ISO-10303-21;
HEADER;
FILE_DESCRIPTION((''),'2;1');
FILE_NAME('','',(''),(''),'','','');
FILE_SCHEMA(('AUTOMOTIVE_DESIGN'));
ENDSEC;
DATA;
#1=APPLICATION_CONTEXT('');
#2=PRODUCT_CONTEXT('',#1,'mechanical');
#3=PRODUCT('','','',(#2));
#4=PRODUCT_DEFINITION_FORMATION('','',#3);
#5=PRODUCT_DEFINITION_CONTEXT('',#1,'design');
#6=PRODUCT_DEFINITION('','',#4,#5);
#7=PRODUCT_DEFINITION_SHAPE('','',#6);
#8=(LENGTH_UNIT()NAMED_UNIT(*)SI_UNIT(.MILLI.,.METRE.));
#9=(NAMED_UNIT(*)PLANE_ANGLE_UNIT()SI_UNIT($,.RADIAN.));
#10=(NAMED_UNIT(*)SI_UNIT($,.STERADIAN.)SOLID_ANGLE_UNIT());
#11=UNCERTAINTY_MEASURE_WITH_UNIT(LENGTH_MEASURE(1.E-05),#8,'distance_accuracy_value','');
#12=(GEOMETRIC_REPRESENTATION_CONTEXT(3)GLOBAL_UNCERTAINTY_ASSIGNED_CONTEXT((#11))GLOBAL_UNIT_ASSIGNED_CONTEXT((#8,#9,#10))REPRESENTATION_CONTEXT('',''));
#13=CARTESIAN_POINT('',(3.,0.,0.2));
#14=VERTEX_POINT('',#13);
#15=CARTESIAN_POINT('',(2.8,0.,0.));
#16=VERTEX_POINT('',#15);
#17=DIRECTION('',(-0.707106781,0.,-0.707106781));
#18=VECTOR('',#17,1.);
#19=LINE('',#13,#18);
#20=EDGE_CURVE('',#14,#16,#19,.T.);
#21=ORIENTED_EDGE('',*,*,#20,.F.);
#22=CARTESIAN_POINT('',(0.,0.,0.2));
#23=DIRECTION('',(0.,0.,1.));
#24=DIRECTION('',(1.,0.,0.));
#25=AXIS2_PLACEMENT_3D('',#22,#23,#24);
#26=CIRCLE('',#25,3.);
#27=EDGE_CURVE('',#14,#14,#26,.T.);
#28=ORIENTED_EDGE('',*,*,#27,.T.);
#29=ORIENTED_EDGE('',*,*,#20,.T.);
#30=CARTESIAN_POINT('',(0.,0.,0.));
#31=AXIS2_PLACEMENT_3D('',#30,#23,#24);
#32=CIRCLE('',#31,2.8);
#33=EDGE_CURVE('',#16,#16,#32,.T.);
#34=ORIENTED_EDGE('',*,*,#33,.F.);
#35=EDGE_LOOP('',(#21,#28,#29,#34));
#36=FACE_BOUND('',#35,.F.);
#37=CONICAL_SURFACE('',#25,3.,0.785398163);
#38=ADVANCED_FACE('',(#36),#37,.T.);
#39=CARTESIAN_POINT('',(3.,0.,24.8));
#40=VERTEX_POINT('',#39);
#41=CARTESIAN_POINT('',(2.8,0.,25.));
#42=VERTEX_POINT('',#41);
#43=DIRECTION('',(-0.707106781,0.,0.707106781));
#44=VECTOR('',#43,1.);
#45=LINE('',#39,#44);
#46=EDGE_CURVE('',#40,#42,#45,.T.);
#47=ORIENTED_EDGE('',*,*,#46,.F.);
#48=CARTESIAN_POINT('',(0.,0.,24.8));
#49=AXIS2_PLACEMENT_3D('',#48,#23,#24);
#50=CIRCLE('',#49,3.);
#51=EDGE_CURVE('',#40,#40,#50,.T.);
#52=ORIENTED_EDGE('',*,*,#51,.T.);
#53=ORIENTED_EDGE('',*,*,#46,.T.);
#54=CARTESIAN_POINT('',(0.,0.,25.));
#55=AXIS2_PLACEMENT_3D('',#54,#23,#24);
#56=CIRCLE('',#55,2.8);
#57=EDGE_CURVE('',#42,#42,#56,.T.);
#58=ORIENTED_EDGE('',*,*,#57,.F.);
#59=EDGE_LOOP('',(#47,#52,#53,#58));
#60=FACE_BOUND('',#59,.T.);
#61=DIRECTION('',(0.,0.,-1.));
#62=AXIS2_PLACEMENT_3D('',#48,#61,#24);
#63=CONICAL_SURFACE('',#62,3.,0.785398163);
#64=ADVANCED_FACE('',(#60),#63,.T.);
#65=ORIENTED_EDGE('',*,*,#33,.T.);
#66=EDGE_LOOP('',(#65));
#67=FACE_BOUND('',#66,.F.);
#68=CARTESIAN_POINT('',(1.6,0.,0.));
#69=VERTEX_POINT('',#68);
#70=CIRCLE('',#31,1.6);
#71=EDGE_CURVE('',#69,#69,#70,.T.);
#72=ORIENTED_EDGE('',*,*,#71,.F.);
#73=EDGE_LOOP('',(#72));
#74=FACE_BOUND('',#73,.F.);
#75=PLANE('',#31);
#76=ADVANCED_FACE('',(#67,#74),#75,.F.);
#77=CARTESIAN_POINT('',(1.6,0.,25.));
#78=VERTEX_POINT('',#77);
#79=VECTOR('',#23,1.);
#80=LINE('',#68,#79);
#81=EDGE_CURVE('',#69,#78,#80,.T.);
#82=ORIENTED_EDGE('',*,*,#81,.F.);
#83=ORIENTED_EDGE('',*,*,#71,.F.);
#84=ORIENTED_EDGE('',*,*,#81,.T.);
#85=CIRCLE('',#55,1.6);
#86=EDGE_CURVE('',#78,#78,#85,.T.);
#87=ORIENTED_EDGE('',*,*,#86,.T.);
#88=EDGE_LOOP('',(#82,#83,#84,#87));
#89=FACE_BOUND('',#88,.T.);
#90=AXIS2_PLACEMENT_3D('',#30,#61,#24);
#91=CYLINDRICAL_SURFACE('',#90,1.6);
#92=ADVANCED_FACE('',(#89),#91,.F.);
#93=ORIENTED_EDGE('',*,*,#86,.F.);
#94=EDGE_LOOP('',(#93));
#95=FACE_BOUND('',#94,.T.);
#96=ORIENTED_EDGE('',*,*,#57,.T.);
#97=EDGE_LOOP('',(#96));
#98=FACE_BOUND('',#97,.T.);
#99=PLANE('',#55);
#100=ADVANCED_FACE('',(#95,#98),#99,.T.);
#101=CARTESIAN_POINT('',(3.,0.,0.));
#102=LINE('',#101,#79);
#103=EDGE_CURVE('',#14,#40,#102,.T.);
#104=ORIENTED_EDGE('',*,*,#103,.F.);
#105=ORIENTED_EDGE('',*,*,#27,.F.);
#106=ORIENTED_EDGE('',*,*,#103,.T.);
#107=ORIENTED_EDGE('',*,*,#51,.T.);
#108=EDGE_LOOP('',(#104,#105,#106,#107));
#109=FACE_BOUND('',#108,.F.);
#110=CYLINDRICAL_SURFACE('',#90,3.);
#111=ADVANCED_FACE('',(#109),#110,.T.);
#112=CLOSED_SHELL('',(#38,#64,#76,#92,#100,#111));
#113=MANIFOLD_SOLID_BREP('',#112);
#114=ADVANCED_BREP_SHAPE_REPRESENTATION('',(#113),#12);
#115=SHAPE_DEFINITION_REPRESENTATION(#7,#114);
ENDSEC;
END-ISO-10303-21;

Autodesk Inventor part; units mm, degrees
ref_plane "YZ Plane" through (0, 0, 0) normal (1, 0, 0) x (0, 1, 0)
ref_plane "XZ Plane" through (0, 0, 0) normal (0, 1, 0) x (-1, 0, 0)
ref_plane "XY Plane" through (0, 0, 0) normal (0, 0, 1) x (1, 0, 0)
sketch "スケッチ1" plane through (0, 0, 0) normal (0, 0, 1) x (1, 0, 0)
  circle A0 centre (0, 0) radius 1.6
  circle A1 centre (0, 0) radius 3
  dimension "d0" = 3.2
  dimension "d1" = 6
extrude "押し出し1" add sketch "スケッチ1" along normal blind 25
chamfer "面取り1" distance 0.2 angle 45 2 edges at (-3, 0, 0) (-3, 0, 25)
properties part number "軸6-25" material "アルミニウム 6061"
